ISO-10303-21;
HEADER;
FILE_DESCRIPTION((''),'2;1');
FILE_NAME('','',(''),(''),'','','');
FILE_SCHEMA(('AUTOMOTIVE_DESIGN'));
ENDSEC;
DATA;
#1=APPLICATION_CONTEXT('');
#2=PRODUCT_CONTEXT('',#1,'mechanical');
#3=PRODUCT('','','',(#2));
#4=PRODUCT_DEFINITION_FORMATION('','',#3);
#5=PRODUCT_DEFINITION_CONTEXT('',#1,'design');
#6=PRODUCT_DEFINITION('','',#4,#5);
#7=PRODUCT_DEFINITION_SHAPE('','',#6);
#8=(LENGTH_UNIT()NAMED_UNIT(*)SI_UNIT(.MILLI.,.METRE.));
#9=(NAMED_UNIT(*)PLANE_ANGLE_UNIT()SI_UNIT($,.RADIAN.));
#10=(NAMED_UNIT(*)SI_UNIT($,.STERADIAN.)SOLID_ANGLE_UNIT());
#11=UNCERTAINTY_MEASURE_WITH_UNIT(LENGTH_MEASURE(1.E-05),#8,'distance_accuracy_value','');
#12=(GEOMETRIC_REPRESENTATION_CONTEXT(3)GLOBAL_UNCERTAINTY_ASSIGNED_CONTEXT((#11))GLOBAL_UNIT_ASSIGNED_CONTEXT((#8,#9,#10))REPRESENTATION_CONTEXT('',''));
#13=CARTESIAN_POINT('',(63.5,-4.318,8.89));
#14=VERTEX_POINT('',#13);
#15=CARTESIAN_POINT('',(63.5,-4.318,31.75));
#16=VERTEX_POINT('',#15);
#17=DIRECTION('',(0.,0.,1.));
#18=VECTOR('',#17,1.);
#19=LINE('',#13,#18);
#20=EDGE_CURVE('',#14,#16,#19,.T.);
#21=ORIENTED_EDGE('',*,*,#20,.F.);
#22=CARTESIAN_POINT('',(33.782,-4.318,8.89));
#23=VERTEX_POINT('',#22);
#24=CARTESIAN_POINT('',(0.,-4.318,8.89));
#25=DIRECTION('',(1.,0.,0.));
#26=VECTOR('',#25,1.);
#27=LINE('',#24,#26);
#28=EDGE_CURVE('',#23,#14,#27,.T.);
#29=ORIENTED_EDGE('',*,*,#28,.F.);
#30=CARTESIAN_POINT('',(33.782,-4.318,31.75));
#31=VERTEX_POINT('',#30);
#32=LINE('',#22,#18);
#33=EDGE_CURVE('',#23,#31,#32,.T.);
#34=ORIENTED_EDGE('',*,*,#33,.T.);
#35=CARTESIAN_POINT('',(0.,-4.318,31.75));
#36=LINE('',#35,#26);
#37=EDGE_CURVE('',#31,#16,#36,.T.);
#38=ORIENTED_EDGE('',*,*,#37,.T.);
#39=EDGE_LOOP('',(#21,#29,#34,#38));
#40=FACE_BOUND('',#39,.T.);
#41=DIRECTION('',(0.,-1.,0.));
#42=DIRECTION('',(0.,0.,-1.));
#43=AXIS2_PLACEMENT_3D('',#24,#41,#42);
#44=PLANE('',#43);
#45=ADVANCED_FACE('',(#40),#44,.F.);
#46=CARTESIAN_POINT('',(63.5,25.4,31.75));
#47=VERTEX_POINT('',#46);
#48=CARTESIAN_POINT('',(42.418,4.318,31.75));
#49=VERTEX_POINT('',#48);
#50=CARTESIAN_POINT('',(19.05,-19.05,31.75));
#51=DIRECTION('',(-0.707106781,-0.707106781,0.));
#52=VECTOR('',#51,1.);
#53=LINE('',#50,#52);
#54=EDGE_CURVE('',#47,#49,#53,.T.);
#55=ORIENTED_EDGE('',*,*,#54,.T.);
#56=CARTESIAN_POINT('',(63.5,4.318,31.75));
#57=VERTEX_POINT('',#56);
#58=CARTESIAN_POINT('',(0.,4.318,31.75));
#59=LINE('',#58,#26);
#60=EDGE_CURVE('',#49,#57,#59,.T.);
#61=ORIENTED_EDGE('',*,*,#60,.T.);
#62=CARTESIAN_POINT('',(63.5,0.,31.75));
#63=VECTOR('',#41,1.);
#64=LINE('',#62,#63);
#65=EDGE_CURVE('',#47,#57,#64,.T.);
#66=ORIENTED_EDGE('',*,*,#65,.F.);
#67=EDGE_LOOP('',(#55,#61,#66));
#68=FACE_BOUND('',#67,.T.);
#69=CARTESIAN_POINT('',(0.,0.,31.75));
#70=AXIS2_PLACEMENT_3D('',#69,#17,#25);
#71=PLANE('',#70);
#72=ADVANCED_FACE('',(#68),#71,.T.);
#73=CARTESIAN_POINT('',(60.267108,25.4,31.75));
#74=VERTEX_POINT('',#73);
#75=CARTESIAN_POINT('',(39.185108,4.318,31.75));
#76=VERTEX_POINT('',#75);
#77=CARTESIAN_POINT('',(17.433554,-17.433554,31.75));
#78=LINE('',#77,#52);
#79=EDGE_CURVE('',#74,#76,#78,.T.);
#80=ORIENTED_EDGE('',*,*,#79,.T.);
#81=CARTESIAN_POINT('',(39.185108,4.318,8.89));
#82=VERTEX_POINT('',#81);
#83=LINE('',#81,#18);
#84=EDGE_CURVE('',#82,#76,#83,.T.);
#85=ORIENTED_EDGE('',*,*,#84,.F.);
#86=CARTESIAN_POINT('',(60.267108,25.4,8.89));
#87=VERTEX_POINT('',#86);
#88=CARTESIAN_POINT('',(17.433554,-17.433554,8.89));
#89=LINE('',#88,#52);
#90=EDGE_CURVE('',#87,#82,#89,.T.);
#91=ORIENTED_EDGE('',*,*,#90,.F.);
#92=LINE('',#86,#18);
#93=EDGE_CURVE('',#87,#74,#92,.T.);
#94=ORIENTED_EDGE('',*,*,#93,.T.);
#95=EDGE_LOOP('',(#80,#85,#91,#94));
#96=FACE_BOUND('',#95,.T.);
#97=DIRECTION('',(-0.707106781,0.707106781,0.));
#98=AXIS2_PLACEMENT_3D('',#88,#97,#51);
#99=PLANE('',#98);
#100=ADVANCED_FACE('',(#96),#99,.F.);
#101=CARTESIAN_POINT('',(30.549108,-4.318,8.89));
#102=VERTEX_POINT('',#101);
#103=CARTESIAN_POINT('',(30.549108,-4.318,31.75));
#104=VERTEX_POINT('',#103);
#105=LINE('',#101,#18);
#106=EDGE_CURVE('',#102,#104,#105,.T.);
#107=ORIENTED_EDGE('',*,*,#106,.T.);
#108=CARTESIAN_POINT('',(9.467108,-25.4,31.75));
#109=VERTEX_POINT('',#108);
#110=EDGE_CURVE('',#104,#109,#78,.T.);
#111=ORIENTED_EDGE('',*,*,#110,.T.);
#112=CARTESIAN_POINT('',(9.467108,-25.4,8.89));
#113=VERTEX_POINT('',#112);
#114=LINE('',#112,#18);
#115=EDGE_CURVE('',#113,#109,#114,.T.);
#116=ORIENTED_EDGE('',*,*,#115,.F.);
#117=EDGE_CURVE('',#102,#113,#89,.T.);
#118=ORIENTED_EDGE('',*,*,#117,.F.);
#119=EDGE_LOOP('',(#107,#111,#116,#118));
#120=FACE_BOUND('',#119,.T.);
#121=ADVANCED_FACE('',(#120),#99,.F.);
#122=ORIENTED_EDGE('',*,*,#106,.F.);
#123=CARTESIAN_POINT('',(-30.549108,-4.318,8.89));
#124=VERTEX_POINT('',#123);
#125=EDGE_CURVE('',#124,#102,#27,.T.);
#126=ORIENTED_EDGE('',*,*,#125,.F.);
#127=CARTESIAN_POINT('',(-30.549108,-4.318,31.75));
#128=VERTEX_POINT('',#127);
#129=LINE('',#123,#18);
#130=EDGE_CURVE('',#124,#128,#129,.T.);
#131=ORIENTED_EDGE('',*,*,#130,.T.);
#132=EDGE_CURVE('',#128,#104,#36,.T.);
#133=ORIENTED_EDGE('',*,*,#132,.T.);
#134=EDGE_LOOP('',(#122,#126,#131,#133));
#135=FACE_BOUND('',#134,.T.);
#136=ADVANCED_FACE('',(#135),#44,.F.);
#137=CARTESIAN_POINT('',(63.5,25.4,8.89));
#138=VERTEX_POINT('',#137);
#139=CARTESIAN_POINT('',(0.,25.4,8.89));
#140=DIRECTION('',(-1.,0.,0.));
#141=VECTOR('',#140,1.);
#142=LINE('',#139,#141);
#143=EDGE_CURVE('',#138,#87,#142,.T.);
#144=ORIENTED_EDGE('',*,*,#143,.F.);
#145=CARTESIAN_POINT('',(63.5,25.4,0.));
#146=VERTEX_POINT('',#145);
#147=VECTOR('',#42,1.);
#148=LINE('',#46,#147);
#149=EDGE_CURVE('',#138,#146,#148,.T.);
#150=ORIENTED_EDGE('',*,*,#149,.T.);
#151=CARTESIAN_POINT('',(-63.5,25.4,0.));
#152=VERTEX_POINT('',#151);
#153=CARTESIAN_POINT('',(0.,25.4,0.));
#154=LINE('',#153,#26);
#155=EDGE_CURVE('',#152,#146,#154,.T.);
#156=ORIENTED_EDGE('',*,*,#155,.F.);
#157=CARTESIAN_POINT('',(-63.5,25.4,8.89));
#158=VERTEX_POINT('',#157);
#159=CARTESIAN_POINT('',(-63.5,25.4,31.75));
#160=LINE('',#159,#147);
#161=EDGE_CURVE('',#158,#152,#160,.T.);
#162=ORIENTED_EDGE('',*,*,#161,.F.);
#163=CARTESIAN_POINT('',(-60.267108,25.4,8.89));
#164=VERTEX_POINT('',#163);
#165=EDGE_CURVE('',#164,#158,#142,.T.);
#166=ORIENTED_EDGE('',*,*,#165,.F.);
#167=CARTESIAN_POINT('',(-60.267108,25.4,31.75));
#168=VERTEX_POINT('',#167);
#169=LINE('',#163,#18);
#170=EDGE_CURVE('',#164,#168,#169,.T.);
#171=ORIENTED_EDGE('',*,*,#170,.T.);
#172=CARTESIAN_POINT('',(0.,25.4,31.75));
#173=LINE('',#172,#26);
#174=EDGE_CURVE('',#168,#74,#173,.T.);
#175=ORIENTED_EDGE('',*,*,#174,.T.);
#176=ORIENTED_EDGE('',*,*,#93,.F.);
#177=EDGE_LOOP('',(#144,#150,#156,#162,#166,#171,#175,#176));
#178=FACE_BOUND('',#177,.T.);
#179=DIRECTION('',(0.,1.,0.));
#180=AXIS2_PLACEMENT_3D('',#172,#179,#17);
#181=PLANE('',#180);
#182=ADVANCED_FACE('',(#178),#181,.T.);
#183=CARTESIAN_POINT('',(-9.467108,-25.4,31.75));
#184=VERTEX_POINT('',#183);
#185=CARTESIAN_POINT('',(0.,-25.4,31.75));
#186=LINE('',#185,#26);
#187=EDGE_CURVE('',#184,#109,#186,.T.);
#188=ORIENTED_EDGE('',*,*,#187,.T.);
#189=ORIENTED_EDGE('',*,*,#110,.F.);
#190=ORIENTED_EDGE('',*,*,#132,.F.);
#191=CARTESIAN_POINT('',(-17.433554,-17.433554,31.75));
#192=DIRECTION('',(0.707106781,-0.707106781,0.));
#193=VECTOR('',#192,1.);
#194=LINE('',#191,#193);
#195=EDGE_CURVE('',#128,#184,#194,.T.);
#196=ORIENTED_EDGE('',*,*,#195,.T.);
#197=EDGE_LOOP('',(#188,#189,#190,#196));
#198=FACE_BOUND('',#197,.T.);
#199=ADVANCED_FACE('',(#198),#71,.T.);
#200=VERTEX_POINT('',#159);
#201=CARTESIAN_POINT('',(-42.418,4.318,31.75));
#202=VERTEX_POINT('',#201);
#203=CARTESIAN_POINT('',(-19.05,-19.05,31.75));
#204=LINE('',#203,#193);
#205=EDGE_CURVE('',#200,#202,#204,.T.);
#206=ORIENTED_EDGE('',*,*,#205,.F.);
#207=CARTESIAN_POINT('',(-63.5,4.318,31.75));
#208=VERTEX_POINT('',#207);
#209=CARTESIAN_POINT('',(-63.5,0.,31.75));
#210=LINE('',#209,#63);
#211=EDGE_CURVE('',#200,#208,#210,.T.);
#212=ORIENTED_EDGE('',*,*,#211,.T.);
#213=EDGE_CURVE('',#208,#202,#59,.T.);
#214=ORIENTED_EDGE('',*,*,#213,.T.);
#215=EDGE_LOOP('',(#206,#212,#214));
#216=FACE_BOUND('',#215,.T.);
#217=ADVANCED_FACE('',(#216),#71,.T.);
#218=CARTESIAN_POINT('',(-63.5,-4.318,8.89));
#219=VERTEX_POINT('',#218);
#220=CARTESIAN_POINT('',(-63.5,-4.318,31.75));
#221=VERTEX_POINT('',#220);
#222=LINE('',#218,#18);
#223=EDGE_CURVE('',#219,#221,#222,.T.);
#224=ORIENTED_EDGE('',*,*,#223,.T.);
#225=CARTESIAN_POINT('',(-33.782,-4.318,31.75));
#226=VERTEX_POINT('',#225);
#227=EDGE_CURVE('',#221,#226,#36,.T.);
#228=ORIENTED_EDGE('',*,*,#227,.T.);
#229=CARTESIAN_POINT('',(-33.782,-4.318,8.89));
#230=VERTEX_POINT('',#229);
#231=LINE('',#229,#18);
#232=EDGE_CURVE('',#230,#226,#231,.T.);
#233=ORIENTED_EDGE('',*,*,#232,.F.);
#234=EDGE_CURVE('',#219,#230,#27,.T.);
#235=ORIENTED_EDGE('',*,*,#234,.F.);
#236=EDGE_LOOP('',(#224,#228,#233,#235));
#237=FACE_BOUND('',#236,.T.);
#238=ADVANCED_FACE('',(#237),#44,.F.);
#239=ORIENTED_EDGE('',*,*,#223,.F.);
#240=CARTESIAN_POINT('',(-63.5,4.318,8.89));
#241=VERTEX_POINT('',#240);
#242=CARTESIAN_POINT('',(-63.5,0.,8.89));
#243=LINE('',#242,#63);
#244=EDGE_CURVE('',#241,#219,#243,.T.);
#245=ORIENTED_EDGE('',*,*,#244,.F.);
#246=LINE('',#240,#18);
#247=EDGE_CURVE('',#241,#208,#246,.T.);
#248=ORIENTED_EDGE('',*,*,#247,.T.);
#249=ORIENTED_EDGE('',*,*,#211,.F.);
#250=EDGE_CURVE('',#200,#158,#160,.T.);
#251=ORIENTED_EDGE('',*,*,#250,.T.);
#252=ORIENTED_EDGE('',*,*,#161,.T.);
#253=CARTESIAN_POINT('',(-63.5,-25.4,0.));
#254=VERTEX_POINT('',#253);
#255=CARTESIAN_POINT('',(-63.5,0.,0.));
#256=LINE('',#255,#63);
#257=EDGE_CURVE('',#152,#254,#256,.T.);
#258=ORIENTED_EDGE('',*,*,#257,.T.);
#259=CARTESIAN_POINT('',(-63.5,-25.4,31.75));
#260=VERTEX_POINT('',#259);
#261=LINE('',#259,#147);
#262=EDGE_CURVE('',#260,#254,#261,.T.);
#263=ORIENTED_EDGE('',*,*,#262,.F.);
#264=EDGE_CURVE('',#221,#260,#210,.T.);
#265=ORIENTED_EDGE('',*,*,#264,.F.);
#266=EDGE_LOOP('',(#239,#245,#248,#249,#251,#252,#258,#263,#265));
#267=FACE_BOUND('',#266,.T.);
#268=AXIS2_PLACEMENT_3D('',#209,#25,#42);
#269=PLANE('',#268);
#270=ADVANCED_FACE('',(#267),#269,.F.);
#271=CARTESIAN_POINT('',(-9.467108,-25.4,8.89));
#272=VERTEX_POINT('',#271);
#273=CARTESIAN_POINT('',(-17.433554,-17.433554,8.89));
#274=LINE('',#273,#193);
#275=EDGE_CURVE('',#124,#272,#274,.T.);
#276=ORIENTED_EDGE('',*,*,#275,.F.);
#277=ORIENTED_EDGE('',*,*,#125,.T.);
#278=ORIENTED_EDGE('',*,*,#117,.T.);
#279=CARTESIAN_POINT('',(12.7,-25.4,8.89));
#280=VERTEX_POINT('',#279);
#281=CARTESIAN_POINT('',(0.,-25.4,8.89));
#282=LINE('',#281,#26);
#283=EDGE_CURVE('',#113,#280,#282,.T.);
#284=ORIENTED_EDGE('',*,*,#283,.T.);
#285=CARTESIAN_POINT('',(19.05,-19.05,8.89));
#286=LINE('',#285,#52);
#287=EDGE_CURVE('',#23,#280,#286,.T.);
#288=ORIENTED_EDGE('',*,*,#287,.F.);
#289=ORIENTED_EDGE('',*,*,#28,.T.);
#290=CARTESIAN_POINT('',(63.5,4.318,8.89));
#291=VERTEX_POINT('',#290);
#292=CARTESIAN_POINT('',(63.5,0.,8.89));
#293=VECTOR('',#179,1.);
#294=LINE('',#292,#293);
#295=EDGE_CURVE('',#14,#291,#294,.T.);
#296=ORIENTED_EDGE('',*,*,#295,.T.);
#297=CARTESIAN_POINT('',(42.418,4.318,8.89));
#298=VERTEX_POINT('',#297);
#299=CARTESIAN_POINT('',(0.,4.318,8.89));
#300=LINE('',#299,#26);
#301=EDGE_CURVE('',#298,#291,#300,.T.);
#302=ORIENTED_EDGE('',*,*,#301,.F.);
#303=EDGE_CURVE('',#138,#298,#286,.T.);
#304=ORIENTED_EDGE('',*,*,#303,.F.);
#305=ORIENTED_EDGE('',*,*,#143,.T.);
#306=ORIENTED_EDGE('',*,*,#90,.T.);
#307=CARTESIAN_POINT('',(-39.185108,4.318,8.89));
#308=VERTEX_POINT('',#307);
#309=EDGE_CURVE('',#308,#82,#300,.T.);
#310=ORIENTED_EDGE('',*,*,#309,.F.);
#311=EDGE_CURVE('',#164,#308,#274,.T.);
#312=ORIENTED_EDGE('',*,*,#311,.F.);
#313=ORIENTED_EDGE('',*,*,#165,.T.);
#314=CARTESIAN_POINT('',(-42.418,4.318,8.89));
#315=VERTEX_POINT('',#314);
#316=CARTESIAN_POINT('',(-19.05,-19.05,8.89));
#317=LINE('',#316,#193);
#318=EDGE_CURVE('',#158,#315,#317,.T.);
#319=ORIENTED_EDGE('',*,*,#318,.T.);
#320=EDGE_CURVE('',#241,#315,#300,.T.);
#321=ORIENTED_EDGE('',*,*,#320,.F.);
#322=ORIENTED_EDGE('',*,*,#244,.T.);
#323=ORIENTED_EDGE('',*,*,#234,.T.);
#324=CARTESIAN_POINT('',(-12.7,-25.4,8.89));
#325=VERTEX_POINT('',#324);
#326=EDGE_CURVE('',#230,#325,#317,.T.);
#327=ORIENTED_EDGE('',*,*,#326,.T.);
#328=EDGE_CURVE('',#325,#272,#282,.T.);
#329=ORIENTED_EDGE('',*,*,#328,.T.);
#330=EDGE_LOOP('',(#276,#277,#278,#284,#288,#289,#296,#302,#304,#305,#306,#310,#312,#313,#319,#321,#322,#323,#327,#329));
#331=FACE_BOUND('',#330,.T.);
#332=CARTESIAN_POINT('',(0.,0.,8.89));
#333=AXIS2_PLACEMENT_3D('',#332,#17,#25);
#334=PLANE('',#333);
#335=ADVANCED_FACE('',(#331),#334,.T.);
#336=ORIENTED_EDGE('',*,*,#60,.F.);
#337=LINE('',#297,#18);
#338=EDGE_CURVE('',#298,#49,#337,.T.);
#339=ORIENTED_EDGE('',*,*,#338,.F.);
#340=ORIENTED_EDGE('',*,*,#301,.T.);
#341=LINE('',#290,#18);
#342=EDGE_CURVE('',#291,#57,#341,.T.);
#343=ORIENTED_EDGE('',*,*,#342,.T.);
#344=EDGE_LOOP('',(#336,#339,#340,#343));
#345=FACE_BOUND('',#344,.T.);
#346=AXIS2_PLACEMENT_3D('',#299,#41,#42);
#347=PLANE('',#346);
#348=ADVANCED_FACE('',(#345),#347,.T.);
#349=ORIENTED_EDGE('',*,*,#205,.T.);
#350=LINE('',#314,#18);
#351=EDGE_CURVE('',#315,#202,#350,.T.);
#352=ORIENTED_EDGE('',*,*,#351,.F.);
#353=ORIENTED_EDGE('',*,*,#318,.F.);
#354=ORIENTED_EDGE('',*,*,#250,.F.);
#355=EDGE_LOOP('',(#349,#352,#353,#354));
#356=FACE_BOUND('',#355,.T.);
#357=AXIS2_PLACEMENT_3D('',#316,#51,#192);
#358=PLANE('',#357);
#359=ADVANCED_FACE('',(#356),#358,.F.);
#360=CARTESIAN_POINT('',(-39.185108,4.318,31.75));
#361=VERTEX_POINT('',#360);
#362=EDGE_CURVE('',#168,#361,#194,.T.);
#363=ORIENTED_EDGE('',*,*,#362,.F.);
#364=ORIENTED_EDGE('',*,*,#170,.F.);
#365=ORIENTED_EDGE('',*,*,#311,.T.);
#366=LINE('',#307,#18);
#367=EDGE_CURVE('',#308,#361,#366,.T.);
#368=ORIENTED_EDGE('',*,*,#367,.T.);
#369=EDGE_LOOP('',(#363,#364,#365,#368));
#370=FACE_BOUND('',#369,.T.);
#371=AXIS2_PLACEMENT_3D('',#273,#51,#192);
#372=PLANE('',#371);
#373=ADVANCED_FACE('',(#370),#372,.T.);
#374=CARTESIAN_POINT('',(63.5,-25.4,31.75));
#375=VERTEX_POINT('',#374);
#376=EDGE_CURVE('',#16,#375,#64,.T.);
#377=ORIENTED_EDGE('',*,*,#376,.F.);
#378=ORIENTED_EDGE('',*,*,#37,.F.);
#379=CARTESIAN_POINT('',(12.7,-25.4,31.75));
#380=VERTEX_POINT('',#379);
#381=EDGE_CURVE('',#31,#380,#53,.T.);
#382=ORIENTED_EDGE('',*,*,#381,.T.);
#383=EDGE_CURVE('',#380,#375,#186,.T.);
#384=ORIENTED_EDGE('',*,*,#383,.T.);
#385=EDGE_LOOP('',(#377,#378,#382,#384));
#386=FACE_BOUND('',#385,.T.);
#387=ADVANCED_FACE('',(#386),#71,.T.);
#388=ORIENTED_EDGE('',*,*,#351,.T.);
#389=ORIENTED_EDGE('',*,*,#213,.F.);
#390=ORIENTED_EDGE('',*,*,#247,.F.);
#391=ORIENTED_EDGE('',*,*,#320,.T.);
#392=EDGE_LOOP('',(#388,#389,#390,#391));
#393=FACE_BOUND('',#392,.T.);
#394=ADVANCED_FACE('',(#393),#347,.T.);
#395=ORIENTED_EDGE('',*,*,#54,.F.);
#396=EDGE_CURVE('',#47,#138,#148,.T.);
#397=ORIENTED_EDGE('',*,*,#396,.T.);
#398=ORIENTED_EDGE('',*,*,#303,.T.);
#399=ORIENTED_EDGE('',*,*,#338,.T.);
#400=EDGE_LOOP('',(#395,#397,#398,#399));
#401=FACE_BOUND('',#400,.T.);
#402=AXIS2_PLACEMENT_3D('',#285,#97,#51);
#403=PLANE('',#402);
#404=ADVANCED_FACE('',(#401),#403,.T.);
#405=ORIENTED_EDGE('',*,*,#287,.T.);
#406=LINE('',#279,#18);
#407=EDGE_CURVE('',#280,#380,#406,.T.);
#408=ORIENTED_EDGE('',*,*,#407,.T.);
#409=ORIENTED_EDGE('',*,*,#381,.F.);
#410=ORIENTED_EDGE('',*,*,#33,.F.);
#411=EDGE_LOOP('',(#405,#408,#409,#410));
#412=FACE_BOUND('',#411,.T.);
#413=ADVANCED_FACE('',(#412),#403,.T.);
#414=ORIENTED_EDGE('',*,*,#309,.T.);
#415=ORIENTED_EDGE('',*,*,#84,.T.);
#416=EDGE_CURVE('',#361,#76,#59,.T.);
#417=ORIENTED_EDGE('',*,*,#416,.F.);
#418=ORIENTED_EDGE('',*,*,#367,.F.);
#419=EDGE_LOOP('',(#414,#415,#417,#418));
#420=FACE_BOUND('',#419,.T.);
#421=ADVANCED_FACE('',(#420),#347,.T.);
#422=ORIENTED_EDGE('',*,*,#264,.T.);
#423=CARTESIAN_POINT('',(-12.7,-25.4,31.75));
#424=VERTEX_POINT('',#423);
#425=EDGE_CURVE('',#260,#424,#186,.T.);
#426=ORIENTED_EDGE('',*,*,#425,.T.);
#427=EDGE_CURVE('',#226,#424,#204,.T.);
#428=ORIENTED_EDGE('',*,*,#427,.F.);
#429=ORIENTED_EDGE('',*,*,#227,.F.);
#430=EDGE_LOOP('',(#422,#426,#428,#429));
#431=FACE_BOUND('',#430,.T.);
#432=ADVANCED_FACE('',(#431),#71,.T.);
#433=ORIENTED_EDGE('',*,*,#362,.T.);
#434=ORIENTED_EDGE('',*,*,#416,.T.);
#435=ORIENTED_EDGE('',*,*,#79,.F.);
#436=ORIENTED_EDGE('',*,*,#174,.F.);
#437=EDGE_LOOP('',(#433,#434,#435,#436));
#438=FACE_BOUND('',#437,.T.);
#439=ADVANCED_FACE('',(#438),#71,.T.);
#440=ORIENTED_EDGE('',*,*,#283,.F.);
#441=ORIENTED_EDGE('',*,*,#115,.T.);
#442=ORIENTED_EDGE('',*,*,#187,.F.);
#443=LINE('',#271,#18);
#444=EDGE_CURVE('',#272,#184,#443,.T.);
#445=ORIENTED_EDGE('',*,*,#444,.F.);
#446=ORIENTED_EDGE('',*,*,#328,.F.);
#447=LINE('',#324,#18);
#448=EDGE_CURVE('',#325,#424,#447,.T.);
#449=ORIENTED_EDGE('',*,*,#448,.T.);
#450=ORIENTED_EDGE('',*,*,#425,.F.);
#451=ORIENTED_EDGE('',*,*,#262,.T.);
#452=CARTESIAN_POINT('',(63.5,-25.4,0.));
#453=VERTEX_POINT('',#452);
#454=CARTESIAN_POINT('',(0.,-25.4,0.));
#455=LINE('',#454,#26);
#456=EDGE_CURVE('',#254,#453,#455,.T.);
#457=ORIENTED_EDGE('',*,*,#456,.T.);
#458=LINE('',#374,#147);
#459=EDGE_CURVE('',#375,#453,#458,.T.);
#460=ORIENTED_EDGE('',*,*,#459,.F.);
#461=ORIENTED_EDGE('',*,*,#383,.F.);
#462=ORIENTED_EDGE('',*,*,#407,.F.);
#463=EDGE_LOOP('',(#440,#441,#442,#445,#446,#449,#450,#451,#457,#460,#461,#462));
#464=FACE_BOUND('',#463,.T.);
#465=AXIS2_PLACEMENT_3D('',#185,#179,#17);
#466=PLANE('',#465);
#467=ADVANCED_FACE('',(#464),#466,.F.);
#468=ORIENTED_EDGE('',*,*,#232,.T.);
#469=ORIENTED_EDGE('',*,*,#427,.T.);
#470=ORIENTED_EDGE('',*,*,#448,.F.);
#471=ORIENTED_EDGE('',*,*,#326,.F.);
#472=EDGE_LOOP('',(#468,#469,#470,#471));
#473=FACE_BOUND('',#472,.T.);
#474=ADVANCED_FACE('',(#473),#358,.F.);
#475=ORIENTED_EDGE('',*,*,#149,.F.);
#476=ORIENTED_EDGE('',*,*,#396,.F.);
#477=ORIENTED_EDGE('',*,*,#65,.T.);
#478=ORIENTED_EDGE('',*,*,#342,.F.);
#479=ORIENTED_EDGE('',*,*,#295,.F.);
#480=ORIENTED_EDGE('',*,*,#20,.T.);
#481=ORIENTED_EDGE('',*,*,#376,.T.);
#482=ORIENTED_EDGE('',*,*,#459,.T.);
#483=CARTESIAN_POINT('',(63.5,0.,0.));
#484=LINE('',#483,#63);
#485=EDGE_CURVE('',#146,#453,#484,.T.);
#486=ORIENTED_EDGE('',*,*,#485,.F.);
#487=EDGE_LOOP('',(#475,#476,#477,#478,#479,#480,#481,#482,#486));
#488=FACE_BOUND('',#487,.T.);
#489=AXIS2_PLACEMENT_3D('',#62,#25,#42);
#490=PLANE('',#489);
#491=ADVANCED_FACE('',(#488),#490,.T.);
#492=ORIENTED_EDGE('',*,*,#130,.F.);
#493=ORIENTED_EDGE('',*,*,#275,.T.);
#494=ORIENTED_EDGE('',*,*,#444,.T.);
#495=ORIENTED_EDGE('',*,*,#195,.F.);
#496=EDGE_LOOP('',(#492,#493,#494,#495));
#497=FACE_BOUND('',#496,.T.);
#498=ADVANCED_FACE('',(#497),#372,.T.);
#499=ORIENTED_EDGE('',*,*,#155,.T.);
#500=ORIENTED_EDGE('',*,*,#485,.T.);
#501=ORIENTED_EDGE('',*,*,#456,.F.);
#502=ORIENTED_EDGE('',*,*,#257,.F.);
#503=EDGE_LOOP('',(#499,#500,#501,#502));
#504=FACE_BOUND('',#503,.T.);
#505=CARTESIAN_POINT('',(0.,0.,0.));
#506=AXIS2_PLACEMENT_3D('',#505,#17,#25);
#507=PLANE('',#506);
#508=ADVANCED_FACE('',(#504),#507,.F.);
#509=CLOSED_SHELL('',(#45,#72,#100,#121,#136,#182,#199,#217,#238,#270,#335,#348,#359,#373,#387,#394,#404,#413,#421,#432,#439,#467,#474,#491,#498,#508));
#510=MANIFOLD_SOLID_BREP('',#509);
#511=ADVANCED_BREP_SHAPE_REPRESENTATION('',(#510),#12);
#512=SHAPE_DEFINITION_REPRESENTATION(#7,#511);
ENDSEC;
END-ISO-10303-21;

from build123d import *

# Parameters (mm, degrees)
BOSS_EXTRUDE1_DEPTH = 31.75
CUT_EXTRUDE1_DEPTH  = 22.86


with BuildPart() as part:
    # Sketch1 → Boss-Extrude1 (new body)
    with BuildSketch(Plane.XY):
        Polygon((63.5, -4.318), (33.782, -4.318), (12.7, -25.4), (63.5, -25.4), align=None)
        Polygon((9.467107796, -25.4), (30.549107796, -4.318), (-30.549107796, -4.318), (-9.467107796, -25.4), align=None)
        Polygon((-12.7, -25.4), (-33.782, -4.318), (-63.5, -4.318), (-63.5, -25.4), align=None)
        Polygon((12.7, -25.4), (33.782, -4.318), (30.549107796, -4.318), (9.467107796, -25.4), align=None)
        Polygon((-9.467107796, -25.4), (-30.549107796, -4.318), (-33.782, -4.318), (-12.7, -25.4), align=None)
        Polygon((39.185107796, 4.318), (60.267107796, 25.4), (-60.267107796, 25.4), (-39.185107796, 4.318), align=None)
        Polygon((30.549107796, -4.318), (39.185107796, 4.318), (-39.185107796, 4.318), (-30.549107796, -4.318), align=None)
        Polygon((63.5, 4.318), (63.5, 25.4), (42.418, 4.318), align=None)
        Polygon((63.5, 4.318), (42.418, 4.318), (33.782, -4.318), (63.5, -4.318), align=None)
        Polygon((33.782, -4.318), (42.418, 4.318), (39.185107796, 4.318), (30.549107796, -4.318), align=None)
        Polygon((42.418, 4.318), (63.5, 25.4), (60.267107796, 25.4), (39.185107796, 4.318), align=None)
        Polygon((-42.418, 4.318), (-63.5, 25.4), (-63.5, 4.318), align=None)
        Polygon((-39.185107796, 4.318), (-60.267107796, 25.4), (-63.5, 25.4), (-42.418, 4.318), align=None)
        Polygon((-33.782, -4.318), (-42.418, 4.318), (-63.5, 4.318), (-63.5, -4.318), align=None)
        Polygon((-30.549107796, -4.318), (-39.185107796, 4.318), (-42.418, 4.318), (-33.782, -4.318), align=None)
    extrude(amount=BOSS_EXTRUDE1_DEPTH)

    # Sketch2 → Cut-Extrude1 (cut)
    with BuildSketch(Plane.XY.offset(31.75)):
        Polygon((63.5, 25.4), (60.267107796, 25.4), (39.185107796, 4.318), (42.418, 4.318), align=None)
        Polygon((42.418, 4.318), (39.185107796, 4.318), (30.549107796, -4.318), (33.782, -4.318), align=None)
        Polygon((33.782, -4.318), (30.549107796, -4.318), (9.467107796, -25.4), (12.7, -25.4), align=None)
        Polygon((30.549107796, -4.318), (39.185107796, 4.318), (-39.185107796, 4.318), (-30.549107796, -4.318), align=None)
        Polygon((63.5, 4.318), (42.418, 4.318), (33.782, -4.318), (63.5, -4.318), align=None)
        Polygon((-9.467107796, -25.4), (-30.549107796, -4.318), (-33.782, -4.318), (-12.7, -25.4), align=None)
        Polygon((-30.549107796, -4.318), (-39.185107796, 4.318), (-42.418, 4.318), (-33.782, -4.318), align=None)
        Polygon((-39.185107796, 4.318), (-60.267107796, 25.4), (-63.5, 25.4), (-42.418, 4.318), align=None)
        Polygon((-33.782, -4.318), (-42.418, 4.318), (-63.5, 4.318), (-63.5, -4.318), align=None)
    extrude(amount=-CUT_EXTRUDE1_DEPTH, mode=Mode.SUBTRACT)


solid = part.part
